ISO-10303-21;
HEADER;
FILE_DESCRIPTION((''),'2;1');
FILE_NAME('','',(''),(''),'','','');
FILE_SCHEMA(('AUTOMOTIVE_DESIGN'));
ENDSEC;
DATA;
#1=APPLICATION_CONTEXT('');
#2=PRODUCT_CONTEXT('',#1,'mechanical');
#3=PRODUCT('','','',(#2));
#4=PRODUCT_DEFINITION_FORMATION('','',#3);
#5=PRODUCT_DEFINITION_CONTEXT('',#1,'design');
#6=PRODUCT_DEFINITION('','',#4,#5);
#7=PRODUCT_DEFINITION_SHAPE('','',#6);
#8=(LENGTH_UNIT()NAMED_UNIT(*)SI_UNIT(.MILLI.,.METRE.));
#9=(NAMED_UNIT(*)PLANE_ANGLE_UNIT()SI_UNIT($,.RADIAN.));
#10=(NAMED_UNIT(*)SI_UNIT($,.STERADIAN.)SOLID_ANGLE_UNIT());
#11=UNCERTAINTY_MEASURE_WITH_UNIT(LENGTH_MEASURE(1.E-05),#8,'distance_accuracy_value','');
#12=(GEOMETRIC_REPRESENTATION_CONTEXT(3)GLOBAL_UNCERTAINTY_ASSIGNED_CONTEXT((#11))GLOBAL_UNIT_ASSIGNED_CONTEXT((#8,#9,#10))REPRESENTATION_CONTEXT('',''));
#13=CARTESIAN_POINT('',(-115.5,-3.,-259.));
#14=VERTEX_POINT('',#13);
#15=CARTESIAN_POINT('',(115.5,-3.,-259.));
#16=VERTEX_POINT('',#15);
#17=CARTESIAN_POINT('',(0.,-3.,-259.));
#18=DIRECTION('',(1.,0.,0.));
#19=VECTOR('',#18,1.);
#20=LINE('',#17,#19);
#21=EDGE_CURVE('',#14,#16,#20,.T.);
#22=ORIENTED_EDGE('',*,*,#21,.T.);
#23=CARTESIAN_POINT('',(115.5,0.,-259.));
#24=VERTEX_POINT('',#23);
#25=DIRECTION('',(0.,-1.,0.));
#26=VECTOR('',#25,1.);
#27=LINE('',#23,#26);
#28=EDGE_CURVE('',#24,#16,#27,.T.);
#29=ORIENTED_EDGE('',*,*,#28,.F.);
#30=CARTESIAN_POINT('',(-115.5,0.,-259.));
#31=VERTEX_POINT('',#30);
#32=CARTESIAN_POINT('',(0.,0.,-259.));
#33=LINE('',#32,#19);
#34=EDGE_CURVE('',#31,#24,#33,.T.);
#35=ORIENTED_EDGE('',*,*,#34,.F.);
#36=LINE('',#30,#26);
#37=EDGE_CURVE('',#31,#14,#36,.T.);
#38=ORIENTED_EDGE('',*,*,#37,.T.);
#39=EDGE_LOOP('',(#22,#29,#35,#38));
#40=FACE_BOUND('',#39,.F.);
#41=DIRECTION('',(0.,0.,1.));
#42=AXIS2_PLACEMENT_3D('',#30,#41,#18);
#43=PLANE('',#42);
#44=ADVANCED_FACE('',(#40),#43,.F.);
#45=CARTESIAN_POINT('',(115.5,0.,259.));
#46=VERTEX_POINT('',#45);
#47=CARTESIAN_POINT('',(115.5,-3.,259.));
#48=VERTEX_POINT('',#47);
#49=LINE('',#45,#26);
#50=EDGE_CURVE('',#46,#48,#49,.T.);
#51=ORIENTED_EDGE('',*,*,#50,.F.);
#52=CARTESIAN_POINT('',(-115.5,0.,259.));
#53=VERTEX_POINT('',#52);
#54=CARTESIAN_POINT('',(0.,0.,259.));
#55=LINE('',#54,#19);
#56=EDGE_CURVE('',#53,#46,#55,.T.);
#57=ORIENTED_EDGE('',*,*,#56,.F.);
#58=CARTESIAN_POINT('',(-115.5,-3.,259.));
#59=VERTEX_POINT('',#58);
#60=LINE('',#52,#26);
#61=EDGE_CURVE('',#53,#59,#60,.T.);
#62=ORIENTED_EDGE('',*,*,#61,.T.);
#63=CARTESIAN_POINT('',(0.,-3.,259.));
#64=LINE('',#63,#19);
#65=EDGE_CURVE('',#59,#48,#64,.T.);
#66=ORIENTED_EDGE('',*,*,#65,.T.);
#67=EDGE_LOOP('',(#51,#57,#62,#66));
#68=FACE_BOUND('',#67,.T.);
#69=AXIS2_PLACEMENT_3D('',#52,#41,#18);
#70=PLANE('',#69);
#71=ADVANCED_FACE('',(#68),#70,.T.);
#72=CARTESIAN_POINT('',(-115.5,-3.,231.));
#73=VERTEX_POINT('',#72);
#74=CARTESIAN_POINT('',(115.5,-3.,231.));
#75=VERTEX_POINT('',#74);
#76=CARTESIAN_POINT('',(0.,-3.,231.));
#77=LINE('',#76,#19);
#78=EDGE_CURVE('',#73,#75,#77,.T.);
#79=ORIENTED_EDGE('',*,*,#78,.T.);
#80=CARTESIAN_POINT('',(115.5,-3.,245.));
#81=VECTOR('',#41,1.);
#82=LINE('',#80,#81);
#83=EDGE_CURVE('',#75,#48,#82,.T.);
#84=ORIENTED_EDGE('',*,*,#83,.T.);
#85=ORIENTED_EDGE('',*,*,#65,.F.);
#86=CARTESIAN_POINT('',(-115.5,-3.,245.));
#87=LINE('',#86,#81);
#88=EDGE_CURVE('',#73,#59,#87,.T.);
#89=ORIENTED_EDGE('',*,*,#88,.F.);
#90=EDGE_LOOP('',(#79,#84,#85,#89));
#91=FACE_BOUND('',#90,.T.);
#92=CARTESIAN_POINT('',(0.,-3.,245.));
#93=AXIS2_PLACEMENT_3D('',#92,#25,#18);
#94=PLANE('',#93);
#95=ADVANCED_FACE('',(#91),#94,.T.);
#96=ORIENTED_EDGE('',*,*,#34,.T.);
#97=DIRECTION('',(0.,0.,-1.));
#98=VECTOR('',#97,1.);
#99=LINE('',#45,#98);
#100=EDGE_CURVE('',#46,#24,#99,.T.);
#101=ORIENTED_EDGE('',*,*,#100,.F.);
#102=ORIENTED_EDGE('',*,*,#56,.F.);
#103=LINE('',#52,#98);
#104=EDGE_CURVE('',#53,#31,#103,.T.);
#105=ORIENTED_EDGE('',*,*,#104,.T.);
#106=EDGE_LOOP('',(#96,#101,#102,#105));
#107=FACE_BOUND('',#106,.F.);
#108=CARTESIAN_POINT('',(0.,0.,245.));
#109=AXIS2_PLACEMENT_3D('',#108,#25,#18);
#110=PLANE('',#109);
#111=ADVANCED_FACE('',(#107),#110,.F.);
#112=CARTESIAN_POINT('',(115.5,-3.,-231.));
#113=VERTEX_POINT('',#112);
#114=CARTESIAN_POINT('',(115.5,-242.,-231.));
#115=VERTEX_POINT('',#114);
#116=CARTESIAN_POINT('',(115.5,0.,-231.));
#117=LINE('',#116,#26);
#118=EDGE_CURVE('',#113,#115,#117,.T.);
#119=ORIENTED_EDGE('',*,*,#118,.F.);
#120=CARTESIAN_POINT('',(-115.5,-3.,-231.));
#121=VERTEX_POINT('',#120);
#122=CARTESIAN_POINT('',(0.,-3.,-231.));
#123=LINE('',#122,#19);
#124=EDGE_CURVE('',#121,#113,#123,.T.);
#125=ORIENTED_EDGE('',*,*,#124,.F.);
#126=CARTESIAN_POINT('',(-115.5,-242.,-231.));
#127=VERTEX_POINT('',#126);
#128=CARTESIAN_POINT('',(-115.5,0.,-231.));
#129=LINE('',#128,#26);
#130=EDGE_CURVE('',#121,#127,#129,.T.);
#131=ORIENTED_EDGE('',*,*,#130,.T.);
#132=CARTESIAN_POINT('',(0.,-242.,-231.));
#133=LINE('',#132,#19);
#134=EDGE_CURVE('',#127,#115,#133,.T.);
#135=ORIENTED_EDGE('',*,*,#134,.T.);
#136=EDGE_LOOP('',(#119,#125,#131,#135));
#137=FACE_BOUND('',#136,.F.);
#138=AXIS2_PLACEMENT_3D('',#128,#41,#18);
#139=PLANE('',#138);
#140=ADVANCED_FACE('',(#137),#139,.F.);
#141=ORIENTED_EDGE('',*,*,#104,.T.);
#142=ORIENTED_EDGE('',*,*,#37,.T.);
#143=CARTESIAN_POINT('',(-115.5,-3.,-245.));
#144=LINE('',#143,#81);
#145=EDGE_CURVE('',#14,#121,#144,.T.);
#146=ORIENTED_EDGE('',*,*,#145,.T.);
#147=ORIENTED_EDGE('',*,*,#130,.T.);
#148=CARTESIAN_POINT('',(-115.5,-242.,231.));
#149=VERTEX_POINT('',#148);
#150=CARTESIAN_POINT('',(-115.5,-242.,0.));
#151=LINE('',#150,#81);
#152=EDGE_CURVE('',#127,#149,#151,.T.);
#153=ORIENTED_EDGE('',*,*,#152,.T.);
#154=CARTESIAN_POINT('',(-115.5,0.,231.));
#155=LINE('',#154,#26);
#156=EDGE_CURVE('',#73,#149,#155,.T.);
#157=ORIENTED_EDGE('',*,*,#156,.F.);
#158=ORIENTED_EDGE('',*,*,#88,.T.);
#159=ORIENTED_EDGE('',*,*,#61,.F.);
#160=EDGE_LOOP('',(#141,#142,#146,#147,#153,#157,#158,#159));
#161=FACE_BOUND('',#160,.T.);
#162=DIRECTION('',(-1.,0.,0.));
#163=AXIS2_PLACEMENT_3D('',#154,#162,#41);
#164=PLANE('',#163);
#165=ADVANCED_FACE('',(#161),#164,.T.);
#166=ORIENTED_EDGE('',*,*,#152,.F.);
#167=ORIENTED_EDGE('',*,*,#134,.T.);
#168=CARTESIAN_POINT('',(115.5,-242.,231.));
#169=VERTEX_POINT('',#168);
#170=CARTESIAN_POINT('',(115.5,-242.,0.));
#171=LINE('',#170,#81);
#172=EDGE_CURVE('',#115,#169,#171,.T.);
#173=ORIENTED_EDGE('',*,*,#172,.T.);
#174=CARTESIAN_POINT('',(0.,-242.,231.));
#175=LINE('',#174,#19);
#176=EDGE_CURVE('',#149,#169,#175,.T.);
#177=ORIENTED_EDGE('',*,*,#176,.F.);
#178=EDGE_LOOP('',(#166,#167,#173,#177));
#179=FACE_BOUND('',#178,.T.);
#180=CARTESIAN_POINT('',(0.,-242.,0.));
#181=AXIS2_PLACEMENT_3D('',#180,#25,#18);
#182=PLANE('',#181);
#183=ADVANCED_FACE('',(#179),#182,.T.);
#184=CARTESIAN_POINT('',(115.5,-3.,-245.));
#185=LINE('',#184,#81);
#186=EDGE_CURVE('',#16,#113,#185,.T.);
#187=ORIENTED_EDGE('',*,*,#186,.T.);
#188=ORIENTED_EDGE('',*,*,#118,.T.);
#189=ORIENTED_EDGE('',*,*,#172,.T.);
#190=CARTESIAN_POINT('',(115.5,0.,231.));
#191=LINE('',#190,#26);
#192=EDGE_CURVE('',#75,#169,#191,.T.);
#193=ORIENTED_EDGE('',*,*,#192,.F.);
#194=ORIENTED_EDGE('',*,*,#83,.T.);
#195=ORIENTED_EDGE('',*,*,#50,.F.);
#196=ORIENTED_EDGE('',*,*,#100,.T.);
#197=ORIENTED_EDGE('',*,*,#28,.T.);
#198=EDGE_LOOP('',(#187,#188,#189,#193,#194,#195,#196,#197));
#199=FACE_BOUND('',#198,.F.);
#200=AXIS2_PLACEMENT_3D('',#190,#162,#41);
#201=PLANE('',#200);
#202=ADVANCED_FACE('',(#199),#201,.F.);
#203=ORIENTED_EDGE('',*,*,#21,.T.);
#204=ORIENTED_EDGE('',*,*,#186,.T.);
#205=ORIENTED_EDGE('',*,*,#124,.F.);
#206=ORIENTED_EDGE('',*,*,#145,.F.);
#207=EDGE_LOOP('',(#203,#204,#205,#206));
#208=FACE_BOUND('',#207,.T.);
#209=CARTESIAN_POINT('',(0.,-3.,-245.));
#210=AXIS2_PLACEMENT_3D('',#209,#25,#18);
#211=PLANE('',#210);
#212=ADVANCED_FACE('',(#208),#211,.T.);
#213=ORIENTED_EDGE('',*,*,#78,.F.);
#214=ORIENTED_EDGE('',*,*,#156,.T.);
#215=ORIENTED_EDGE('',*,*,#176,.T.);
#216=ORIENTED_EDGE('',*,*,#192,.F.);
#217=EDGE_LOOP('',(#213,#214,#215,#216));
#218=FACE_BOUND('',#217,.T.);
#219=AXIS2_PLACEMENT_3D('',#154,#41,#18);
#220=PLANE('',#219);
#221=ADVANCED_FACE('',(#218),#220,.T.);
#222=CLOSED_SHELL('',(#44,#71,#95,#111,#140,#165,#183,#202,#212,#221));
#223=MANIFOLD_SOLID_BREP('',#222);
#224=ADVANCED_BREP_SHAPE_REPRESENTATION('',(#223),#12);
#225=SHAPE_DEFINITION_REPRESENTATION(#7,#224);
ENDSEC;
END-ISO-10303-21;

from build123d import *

# Parameters (mm, degrees)
F0_W     = 231
F0_H     = 462
F1_DEPTH = 242
F0_H_2   = 28
F2_DEPTH = 3


with BuildPart() as f1:
    # F0 (on Front) → F1 (new body)
    with BuildSketch(Plane.XZ):
        Rectangle(F0_W, F0_H)
    extrude(amount=F1_DEPTH)

    # F0 (on Front) → F2 (join)
    with BuildSketch(Plane.XZ):
        with Locations((0, 245)):
            Rectangle(F0_W, F0_H_2)
        with Locations((0, -245)):
            Rectangle(F0_W, F0_H_2)
    extrude(amount=F2_DEPTH)


solid = f1.part
